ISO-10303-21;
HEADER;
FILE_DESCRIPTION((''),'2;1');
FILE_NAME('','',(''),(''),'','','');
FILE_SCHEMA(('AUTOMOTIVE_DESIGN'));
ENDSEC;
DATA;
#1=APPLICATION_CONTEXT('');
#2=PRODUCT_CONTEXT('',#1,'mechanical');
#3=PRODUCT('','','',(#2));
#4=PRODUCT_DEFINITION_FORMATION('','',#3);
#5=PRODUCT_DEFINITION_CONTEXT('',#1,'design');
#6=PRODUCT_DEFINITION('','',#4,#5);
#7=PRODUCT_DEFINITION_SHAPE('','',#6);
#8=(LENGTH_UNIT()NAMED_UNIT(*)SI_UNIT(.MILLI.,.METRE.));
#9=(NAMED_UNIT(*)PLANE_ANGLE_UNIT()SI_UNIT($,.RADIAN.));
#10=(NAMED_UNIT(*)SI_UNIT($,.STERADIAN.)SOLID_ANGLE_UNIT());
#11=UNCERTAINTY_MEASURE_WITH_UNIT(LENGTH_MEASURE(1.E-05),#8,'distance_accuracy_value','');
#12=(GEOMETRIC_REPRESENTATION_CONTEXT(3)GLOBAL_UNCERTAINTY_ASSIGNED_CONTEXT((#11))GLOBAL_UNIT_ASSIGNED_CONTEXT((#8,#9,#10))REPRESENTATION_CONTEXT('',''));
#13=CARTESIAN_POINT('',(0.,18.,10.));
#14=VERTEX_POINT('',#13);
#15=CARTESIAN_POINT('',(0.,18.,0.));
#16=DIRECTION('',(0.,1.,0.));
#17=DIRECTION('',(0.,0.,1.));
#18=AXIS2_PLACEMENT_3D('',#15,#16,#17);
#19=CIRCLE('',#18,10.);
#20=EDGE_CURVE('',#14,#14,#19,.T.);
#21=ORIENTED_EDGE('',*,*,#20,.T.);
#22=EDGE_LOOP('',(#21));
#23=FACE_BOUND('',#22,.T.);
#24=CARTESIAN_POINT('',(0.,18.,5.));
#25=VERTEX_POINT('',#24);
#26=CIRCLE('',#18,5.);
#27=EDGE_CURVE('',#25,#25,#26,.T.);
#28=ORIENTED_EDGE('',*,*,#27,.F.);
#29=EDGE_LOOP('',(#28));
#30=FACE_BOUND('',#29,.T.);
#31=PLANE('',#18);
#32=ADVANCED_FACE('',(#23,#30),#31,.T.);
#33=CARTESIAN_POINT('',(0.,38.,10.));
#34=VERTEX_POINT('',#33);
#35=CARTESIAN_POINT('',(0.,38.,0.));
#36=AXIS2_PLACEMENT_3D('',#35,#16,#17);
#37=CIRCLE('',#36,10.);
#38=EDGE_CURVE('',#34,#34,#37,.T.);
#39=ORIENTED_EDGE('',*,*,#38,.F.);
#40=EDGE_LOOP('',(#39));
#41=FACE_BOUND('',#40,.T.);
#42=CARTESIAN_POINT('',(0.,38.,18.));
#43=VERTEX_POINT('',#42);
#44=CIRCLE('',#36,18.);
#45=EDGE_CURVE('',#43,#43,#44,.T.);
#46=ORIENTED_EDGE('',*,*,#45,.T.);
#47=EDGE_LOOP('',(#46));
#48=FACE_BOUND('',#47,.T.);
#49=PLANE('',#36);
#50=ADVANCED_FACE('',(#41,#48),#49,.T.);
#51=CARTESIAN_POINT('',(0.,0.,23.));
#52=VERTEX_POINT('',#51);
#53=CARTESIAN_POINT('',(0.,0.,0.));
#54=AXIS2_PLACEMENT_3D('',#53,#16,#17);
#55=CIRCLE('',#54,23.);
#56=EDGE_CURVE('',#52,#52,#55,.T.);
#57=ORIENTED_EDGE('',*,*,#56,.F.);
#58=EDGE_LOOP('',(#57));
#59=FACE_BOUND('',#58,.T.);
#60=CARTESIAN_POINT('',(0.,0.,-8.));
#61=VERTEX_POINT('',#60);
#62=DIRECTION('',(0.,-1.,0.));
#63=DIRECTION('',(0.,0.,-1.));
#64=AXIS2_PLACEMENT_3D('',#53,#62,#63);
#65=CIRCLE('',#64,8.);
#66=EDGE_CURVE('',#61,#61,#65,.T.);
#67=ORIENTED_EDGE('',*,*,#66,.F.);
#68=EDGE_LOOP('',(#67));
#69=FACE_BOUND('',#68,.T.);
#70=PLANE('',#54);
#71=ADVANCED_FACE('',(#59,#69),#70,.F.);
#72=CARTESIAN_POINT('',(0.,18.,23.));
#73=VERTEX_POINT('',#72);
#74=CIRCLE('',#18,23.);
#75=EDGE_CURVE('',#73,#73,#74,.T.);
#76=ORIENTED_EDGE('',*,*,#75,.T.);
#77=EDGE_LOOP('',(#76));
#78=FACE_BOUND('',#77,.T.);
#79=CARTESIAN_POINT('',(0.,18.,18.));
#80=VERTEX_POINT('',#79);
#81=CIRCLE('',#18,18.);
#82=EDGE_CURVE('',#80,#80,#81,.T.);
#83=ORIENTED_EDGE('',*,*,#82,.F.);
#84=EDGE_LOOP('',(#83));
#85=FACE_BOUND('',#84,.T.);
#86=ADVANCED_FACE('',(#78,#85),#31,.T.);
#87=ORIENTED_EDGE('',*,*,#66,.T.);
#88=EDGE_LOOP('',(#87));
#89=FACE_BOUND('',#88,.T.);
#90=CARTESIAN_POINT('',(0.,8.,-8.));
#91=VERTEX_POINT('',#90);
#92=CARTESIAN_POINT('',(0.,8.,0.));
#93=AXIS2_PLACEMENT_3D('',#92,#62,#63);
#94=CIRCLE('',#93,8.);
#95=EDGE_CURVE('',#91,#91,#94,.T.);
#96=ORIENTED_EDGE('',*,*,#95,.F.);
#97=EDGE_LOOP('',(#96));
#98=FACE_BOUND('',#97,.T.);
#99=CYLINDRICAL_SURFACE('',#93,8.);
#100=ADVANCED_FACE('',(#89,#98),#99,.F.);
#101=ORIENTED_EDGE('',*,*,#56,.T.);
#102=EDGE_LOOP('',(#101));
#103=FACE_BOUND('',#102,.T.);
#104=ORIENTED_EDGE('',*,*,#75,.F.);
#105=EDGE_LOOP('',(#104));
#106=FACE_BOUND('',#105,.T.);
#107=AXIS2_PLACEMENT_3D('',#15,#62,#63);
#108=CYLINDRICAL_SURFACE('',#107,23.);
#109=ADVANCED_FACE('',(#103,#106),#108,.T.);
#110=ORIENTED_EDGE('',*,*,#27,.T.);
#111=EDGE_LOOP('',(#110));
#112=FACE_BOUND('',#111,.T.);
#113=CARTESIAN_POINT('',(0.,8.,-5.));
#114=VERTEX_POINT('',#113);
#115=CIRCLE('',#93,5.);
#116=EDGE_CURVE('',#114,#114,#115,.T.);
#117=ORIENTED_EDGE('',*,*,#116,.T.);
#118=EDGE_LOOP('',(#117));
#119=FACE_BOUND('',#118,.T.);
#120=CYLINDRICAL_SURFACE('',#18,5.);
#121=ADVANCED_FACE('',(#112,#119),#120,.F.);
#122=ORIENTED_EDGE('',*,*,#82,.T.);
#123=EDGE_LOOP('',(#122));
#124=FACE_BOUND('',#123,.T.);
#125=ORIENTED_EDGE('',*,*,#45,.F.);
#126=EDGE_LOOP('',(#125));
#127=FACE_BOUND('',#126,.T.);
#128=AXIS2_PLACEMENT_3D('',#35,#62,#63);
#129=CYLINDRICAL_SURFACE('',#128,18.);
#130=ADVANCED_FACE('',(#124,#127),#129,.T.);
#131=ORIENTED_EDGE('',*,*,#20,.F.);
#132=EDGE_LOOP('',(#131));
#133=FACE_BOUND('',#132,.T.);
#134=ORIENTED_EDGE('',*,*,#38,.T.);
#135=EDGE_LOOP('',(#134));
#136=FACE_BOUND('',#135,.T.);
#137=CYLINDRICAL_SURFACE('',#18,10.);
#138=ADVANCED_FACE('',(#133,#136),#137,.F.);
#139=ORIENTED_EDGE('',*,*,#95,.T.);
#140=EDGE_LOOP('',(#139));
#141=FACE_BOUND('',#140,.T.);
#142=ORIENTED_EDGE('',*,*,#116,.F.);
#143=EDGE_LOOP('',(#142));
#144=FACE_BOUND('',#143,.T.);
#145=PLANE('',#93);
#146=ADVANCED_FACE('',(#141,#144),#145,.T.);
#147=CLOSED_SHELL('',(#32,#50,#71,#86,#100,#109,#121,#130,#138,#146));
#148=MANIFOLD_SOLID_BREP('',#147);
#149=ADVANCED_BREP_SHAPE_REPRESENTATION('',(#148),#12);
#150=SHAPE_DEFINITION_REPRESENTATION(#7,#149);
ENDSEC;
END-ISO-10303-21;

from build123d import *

# Parameters (mm, degrees)
SKETCH1_R              = 23
BOSS_EXTRUDE1_DEPTH    = 18
SKETCH2_R              = 18
BOSS_EXTRUDE2_DEPTH    = 20
SKETCH3_R              = 8
CUT_EXTRUDE1_DEPTH     = 8
SKETCH4_R              = 10
CUT_EXTRUDE2_DEPTH     = 20
F_10_0MM_DOWEL_SLOT1_D = 10


with BuildPart() as part:
    # Sketch1 → Boss-Extrude1 (new body)
    with BuildSketch(Plane(origin=(0, 0, 0), x_dir=(1, 0, 0), z_dir=(0, 1, 0))):
        with Locations(Location((0, 0, 0), (0, 0, 270))):
            Circle(SKETCH1_R)
    extrude(amount=BOSS_EXTRUDE1_DEPTH)

    # Sketch2 → Boss-Extrude2 (add)
    with BuildSketch(Plane(origin=(0, 18, 0), x_dir=(1, 0, 0), z_dir=(0, 1, 0))):
        with Locations(Location((0, 0, 0), (0, 0, 270))):
            Circle(SKETCH2_R)
    extrude(amount=BOSS_EXTRUDE2_DEPTH)

    # Sketch3 → Cut-Extrude1 (cut)
    with BuildSketch(Plane(origin=(0, 0, 0), x_dir=(-1, 0, 0), z_dir=(0, -1, 0))):
        with Locations(Location((0, 0, 0), (0, 0, 90))):
            Circle(SKETCH3_R)
    extrude(amount=-CUT_EXTRUDE1_DEPTH, mode=Mode.SUBTRACT)

    # Sketch4 → Cut-Extrude2 (cut)
    with BuildSketch(Plane(origin=(0, 38, 0), x_dir=(1, 0, 0), z_dir=(0, 1, 0))):
        with Locations(Location((0, 0, 0), (0, 0, 270))):
            Circle(SKETCH4_R)
    extrude(amount=-CUT_EXTRUDE2_DEPTH, mode=Mode.SUBTRACT)

    # Ø10.0mm Dowel Slot1 (through all)
    with Locations(Plane(origin=(0, 18, 0), x_dir=(1, 0, 0), z_dir=(0, 1, 0))):
        with Locations((0, 0)):
            Hole(F_10_0MM_DOWEL_SLOT1_D / 2)


solid = part.part
